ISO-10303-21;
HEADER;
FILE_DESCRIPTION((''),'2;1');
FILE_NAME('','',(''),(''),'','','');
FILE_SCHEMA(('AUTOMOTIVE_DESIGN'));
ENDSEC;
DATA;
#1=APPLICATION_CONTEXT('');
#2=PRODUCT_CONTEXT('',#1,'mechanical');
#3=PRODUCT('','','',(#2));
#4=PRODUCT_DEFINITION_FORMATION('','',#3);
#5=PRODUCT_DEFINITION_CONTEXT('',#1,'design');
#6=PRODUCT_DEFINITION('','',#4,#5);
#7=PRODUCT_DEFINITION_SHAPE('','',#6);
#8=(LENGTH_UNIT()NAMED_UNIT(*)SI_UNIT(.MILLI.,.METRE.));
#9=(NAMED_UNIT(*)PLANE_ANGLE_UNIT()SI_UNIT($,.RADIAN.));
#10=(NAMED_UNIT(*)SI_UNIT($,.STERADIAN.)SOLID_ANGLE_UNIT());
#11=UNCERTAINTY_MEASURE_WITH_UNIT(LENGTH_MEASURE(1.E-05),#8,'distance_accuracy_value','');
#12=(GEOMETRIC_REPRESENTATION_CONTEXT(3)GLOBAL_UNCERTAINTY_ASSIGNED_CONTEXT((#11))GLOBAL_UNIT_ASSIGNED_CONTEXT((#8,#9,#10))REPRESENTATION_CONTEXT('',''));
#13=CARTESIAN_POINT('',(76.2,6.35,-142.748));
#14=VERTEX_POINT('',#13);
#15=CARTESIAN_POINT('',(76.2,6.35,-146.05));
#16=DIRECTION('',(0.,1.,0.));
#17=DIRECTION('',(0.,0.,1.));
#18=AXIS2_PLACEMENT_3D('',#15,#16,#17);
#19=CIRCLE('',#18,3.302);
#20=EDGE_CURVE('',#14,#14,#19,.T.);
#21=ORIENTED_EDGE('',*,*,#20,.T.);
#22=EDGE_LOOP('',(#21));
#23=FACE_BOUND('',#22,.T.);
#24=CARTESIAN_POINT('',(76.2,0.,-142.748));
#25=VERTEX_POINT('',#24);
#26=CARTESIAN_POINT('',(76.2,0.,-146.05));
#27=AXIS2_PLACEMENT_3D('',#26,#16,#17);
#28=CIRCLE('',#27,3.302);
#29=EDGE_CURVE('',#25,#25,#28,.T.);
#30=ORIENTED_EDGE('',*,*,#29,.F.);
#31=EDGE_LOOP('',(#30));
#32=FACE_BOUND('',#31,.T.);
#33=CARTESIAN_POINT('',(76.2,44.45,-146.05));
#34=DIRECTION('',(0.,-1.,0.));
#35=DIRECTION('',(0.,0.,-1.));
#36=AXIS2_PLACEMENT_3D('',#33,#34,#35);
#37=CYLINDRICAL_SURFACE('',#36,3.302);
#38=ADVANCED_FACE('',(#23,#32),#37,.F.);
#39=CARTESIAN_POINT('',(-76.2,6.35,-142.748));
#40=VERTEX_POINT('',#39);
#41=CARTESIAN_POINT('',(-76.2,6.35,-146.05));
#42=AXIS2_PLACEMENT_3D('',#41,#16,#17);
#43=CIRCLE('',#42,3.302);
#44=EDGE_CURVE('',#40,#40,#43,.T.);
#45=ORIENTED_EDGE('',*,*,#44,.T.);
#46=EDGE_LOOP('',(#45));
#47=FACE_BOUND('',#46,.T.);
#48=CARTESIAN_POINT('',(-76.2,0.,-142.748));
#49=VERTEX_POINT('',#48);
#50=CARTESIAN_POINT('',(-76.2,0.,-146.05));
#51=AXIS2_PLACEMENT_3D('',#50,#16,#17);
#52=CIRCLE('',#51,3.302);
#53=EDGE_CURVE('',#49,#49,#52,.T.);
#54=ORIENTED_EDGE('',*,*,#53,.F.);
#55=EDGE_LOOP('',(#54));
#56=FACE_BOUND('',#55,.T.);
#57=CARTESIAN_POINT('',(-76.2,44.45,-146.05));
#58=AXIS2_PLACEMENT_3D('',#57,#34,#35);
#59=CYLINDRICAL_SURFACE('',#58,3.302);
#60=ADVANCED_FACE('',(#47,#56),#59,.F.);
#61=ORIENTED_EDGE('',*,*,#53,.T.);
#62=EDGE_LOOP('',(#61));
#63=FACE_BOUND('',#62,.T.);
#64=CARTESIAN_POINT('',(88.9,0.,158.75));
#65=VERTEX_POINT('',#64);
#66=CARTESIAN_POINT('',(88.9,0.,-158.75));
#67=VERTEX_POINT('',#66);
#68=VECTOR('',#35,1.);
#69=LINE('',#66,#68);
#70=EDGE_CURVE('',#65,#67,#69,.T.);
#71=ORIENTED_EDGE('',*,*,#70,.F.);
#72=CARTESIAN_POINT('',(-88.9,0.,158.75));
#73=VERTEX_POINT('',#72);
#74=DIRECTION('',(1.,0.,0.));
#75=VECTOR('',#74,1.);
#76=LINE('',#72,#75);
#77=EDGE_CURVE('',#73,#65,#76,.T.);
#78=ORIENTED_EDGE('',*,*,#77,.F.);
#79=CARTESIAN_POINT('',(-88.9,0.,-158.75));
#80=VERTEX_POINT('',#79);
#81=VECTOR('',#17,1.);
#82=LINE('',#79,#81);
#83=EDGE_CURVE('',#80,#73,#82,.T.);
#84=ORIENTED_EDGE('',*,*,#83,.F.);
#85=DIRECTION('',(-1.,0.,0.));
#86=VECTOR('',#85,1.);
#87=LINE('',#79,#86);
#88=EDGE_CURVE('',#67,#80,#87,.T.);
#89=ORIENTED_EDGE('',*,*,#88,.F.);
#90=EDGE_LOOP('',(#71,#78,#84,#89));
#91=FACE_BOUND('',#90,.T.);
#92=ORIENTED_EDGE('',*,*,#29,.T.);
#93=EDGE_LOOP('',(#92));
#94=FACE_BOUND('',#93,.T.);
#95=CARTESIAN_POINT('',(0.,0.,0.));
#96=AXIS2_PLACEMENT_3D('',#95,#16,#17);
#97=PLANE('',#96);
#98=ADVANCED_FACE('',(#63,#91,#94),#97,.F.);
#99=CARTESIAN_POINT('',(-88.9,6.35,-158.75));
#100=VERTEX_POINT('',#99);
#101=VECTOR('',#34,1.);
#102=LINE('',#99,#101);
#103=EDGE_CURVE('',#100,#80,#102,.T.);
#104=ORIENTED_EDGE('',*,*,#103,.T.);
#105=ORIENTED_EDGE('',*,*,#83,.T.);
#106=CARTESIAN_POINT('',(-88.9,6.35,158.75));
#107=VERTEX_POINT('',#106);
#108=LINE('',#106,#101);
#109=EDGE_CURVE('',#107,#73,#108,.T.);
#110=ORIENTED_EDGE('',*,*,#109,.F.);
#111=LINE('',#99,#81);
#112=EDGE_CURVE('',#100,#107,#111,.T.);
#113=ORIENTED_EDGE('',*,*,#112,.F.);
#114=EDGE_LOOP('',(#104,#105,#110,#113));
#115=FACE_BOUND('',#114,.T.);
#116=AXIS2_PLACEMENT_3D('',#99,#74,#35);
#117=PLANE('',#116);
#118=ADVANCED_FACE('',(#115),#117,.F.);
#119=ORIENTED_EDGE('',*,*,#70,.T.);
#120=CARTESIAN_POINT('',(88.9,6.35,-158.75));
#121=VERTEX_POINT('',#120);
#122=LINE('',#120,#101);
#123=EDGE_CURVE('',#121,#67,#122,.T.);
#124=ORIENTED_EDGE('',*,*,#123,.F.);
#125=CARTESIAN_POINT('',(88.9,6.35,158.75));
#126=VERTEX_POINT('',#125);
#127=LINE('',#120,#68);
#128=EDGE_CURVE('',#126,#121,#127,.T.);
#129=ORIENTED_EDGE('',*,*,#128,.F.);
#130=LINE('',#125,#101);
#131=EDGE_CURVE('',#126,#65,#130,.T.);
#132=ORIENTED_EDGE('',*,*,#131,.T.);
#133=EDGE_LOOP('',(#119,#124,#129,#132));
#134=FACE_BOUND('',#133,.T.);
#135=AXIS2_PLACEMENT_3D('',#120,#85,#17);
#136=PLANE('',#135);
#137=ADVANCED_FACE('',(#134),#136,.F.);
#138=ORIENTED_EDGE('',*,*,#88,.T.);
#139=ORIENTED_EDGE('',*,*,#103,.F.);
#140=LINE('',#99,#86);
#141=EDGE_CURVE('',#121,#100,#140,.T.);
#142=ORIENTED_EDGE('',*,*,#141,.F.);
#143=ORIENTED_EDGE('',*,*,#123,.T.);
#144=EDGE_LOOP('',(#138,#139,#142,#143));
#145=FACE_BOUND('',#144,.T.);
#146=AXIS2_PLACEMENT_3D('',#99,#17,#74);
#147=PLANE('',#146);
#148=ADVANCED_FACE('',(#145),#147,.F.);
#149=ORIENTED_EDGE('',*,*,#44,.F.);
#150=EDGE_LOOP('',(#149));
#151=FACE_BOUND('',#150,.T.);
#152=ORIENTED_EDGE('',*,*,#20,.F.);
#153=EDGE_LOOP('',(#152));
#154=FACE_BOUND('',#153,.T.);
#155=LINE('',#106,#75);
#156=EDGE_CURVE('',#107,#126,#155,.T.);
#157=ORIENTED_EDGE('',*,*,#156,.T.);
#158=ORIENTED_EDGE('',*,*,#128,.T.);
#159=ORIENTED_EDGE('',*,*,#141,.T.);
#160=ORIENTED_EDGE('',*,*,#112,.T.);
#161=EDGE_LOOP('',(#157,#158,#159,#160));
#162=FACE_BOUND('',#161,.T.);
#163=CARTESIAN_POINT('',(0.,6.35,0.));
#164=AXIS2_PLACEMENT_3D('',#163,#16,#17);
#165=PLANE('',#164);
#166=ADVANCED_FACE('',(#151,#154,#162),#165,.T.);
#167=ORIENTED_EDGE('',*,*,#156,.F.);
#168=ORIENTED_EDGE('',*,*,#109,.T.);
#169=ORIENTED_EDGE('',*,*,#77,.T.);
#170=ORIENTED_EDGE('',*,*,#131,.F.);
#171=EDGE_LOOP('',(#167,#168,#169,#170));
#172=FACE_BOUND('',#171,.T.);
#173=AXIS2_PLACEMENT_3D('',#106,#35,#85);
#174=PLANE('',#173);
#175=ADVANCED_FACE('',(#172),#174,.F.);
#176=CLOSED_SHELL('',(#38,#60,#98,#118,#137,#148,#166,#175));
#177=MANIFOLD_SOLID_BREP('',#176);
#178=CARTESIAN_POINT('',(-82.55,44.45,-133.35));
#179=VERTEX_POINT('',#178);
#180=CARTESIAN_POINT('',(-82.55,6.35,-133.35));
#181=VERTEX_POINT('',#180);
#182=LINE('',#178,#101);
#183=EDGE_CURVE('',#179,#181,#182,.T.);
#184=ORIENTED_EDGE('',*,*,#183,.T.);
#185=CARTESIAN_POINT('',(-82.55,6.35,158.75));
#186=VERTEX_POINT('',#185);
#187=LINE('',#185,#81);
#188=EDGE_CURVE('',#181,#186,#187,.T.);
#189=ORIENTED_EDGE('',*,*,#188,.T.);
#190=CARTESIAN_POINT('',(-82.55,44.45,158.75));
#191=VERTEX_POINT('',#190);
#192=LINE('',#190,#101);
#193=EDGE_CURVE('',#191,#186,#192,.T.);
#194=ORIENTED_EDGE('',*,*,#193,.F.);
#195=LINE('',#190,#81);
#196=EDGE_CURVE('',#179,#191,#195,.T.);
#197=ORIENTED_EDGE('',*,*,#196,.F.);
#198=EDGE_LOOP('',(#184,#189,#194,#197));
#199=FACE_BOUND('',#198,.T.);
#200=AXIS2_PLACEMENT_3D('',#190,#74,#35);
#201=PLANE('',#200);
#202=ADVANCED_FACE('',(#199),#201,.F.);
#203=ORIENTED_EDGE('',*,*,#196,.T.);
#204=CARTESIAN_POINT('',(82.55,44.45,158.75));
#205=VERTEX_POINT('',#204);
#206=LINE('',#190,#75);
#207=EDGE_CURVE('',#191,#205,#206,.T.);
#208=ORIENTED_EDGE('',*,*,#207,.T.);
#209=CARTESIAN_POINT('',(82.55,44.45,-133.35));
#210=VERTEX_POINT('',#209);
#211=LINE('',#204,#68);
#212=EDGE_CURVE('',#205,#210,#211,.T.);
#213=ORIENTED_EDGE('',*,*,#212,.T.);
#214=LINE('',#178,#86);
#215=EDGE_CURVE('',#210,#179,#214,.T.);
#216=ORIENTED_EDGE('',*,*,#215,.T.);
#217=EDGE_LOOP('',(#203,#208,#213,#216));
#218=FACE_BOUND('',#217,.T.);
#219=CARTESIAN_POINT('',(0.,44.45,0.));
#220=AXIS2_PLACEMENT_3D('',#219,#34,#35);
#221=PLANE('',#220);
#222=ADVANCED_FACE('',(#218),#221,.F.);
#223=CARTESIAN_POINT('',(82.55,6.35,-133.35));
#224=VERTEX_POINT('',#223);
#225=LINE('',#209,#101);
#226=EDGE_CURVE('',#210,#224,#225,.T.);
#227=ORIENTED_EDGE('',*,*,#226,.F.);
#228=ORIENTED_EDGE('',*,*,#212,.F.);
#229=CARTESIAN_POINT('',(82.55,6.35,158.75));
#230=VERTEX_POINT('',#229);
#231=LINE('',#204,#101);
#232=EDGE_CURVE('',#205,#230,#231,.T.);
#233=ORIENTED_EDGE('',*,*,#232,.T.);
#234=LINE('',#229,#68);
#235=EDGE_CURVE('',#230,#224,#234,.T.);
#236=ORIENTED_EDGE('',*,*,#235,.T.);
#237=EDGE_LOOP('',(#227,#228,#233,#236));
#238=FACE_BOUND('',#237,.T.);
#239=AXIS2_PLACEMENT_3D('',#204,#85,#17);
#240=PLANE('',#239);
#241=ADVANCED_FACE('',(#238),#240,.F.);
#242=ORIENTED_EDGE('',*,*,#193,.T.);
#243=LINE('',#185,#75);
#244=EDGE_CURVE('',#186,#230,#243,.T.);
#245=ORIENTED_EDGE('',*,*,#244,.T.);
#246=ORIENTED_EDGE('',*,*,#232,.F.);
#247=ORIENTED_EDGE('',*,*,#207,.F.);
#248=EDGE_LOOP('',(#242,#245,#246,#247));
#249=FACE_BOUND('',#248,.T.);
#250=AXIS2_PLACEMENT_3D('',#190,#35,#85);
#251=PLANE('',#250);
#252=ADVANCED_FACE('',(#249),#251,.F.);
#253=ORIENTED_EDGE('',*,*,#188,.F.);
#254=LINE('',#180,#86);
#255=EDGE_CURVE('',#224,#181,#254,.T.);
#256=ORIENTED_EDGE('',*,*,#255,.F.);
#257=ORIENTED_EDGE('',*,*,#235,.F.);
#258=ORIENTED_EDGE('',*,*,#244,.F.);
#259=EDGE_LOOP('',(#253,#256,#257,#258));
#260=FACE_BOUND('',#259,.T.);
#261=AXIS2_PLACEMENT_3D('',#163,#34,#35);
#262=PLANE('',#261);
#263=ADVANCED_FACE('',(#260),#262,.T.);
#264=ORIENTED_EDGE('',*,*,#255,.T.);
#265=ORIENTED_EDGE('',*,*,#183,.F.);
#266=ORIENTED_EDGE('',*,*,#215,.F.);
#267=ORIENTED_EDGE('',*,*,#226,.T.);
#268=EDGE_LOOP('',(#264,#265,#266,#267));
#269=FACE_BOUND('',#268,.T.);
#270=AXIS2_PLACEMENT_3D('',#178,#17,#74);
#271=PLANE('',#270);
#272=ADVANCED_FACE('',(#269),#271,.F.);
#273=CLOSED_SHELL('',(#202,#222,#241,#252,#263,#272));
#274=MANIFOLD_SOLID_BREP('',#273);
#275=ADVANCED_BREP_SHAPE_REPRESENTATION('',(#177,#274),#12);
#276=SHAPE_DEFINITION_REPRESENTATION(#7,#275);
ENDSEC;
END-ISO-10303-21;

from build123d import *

# Parameters (mm, degrees)
SKETCH1_W               = 177.8
SKETCH1_H               = 317.5
BOSS_EXTRUDE1_DEPTH     = 6.35
SKETCH2_W               = 165.1
SKETCH2_H               = 292.1
BOSS_EXTRUDE2_DEPTH     = 38.1
CUT_EXTRUDE1_DEPTH      = 188.298091288
CUT_EXTRUDE1_DEPTH_BACK = 188.298091288
SKETCH3_R               = 3.302


with BuildPart() as part:
    # Sketch1 → Boss-Extrude1 (new body)
    with BuildSketch(Plane(origin=(0, 0, 0), x_dir=(1, 0, 0), z_dir=(0, 1, 0))):
        Rectangle(SKETCH1_W, SKETCH1_H)
    extrude(amount=BOSS_EXTRUDE1_DEPTH)

    # Sketch3 → Cut-Extrude1 (cut, two sides: drawn at the far end of the back side and taken through both)
    with BuildSketch(Plane.XZ.offset(-CUT_EXTRUDE1_DEPTH_BACK)):
        with Locations(Location((76.2, -146.05, 0), (0, 0, 90))):
            Circle(SKETCH3_R)
        with Locations(Location((-76.2, -146.05, 0), (0, 0, 90))):
            Circle(SKETCH3_R)
    extrude(amount=CUT_EXTRUDE1_DEPTH + CUT_EXTRUDE1_DEPTH_BACK, mode=Mode.SUBTRACT)


with BuildPart() as body_2:
    # Sketch2 → Boss-Extrude2 (new body)
    with BuildSketch(Plane(origin=(0, 6.35, 0), x_dir=(1, 0, 0), z_dir=(0, 1, 0))):
        with Locations((0, -12.7)):
            Rectangle(SKETCH2_W, SKETCH2_H)
    extrude(amount=BOSS_EXTRUDE2_DEPTH)


solid = Compound([part.part, body_2.part])
